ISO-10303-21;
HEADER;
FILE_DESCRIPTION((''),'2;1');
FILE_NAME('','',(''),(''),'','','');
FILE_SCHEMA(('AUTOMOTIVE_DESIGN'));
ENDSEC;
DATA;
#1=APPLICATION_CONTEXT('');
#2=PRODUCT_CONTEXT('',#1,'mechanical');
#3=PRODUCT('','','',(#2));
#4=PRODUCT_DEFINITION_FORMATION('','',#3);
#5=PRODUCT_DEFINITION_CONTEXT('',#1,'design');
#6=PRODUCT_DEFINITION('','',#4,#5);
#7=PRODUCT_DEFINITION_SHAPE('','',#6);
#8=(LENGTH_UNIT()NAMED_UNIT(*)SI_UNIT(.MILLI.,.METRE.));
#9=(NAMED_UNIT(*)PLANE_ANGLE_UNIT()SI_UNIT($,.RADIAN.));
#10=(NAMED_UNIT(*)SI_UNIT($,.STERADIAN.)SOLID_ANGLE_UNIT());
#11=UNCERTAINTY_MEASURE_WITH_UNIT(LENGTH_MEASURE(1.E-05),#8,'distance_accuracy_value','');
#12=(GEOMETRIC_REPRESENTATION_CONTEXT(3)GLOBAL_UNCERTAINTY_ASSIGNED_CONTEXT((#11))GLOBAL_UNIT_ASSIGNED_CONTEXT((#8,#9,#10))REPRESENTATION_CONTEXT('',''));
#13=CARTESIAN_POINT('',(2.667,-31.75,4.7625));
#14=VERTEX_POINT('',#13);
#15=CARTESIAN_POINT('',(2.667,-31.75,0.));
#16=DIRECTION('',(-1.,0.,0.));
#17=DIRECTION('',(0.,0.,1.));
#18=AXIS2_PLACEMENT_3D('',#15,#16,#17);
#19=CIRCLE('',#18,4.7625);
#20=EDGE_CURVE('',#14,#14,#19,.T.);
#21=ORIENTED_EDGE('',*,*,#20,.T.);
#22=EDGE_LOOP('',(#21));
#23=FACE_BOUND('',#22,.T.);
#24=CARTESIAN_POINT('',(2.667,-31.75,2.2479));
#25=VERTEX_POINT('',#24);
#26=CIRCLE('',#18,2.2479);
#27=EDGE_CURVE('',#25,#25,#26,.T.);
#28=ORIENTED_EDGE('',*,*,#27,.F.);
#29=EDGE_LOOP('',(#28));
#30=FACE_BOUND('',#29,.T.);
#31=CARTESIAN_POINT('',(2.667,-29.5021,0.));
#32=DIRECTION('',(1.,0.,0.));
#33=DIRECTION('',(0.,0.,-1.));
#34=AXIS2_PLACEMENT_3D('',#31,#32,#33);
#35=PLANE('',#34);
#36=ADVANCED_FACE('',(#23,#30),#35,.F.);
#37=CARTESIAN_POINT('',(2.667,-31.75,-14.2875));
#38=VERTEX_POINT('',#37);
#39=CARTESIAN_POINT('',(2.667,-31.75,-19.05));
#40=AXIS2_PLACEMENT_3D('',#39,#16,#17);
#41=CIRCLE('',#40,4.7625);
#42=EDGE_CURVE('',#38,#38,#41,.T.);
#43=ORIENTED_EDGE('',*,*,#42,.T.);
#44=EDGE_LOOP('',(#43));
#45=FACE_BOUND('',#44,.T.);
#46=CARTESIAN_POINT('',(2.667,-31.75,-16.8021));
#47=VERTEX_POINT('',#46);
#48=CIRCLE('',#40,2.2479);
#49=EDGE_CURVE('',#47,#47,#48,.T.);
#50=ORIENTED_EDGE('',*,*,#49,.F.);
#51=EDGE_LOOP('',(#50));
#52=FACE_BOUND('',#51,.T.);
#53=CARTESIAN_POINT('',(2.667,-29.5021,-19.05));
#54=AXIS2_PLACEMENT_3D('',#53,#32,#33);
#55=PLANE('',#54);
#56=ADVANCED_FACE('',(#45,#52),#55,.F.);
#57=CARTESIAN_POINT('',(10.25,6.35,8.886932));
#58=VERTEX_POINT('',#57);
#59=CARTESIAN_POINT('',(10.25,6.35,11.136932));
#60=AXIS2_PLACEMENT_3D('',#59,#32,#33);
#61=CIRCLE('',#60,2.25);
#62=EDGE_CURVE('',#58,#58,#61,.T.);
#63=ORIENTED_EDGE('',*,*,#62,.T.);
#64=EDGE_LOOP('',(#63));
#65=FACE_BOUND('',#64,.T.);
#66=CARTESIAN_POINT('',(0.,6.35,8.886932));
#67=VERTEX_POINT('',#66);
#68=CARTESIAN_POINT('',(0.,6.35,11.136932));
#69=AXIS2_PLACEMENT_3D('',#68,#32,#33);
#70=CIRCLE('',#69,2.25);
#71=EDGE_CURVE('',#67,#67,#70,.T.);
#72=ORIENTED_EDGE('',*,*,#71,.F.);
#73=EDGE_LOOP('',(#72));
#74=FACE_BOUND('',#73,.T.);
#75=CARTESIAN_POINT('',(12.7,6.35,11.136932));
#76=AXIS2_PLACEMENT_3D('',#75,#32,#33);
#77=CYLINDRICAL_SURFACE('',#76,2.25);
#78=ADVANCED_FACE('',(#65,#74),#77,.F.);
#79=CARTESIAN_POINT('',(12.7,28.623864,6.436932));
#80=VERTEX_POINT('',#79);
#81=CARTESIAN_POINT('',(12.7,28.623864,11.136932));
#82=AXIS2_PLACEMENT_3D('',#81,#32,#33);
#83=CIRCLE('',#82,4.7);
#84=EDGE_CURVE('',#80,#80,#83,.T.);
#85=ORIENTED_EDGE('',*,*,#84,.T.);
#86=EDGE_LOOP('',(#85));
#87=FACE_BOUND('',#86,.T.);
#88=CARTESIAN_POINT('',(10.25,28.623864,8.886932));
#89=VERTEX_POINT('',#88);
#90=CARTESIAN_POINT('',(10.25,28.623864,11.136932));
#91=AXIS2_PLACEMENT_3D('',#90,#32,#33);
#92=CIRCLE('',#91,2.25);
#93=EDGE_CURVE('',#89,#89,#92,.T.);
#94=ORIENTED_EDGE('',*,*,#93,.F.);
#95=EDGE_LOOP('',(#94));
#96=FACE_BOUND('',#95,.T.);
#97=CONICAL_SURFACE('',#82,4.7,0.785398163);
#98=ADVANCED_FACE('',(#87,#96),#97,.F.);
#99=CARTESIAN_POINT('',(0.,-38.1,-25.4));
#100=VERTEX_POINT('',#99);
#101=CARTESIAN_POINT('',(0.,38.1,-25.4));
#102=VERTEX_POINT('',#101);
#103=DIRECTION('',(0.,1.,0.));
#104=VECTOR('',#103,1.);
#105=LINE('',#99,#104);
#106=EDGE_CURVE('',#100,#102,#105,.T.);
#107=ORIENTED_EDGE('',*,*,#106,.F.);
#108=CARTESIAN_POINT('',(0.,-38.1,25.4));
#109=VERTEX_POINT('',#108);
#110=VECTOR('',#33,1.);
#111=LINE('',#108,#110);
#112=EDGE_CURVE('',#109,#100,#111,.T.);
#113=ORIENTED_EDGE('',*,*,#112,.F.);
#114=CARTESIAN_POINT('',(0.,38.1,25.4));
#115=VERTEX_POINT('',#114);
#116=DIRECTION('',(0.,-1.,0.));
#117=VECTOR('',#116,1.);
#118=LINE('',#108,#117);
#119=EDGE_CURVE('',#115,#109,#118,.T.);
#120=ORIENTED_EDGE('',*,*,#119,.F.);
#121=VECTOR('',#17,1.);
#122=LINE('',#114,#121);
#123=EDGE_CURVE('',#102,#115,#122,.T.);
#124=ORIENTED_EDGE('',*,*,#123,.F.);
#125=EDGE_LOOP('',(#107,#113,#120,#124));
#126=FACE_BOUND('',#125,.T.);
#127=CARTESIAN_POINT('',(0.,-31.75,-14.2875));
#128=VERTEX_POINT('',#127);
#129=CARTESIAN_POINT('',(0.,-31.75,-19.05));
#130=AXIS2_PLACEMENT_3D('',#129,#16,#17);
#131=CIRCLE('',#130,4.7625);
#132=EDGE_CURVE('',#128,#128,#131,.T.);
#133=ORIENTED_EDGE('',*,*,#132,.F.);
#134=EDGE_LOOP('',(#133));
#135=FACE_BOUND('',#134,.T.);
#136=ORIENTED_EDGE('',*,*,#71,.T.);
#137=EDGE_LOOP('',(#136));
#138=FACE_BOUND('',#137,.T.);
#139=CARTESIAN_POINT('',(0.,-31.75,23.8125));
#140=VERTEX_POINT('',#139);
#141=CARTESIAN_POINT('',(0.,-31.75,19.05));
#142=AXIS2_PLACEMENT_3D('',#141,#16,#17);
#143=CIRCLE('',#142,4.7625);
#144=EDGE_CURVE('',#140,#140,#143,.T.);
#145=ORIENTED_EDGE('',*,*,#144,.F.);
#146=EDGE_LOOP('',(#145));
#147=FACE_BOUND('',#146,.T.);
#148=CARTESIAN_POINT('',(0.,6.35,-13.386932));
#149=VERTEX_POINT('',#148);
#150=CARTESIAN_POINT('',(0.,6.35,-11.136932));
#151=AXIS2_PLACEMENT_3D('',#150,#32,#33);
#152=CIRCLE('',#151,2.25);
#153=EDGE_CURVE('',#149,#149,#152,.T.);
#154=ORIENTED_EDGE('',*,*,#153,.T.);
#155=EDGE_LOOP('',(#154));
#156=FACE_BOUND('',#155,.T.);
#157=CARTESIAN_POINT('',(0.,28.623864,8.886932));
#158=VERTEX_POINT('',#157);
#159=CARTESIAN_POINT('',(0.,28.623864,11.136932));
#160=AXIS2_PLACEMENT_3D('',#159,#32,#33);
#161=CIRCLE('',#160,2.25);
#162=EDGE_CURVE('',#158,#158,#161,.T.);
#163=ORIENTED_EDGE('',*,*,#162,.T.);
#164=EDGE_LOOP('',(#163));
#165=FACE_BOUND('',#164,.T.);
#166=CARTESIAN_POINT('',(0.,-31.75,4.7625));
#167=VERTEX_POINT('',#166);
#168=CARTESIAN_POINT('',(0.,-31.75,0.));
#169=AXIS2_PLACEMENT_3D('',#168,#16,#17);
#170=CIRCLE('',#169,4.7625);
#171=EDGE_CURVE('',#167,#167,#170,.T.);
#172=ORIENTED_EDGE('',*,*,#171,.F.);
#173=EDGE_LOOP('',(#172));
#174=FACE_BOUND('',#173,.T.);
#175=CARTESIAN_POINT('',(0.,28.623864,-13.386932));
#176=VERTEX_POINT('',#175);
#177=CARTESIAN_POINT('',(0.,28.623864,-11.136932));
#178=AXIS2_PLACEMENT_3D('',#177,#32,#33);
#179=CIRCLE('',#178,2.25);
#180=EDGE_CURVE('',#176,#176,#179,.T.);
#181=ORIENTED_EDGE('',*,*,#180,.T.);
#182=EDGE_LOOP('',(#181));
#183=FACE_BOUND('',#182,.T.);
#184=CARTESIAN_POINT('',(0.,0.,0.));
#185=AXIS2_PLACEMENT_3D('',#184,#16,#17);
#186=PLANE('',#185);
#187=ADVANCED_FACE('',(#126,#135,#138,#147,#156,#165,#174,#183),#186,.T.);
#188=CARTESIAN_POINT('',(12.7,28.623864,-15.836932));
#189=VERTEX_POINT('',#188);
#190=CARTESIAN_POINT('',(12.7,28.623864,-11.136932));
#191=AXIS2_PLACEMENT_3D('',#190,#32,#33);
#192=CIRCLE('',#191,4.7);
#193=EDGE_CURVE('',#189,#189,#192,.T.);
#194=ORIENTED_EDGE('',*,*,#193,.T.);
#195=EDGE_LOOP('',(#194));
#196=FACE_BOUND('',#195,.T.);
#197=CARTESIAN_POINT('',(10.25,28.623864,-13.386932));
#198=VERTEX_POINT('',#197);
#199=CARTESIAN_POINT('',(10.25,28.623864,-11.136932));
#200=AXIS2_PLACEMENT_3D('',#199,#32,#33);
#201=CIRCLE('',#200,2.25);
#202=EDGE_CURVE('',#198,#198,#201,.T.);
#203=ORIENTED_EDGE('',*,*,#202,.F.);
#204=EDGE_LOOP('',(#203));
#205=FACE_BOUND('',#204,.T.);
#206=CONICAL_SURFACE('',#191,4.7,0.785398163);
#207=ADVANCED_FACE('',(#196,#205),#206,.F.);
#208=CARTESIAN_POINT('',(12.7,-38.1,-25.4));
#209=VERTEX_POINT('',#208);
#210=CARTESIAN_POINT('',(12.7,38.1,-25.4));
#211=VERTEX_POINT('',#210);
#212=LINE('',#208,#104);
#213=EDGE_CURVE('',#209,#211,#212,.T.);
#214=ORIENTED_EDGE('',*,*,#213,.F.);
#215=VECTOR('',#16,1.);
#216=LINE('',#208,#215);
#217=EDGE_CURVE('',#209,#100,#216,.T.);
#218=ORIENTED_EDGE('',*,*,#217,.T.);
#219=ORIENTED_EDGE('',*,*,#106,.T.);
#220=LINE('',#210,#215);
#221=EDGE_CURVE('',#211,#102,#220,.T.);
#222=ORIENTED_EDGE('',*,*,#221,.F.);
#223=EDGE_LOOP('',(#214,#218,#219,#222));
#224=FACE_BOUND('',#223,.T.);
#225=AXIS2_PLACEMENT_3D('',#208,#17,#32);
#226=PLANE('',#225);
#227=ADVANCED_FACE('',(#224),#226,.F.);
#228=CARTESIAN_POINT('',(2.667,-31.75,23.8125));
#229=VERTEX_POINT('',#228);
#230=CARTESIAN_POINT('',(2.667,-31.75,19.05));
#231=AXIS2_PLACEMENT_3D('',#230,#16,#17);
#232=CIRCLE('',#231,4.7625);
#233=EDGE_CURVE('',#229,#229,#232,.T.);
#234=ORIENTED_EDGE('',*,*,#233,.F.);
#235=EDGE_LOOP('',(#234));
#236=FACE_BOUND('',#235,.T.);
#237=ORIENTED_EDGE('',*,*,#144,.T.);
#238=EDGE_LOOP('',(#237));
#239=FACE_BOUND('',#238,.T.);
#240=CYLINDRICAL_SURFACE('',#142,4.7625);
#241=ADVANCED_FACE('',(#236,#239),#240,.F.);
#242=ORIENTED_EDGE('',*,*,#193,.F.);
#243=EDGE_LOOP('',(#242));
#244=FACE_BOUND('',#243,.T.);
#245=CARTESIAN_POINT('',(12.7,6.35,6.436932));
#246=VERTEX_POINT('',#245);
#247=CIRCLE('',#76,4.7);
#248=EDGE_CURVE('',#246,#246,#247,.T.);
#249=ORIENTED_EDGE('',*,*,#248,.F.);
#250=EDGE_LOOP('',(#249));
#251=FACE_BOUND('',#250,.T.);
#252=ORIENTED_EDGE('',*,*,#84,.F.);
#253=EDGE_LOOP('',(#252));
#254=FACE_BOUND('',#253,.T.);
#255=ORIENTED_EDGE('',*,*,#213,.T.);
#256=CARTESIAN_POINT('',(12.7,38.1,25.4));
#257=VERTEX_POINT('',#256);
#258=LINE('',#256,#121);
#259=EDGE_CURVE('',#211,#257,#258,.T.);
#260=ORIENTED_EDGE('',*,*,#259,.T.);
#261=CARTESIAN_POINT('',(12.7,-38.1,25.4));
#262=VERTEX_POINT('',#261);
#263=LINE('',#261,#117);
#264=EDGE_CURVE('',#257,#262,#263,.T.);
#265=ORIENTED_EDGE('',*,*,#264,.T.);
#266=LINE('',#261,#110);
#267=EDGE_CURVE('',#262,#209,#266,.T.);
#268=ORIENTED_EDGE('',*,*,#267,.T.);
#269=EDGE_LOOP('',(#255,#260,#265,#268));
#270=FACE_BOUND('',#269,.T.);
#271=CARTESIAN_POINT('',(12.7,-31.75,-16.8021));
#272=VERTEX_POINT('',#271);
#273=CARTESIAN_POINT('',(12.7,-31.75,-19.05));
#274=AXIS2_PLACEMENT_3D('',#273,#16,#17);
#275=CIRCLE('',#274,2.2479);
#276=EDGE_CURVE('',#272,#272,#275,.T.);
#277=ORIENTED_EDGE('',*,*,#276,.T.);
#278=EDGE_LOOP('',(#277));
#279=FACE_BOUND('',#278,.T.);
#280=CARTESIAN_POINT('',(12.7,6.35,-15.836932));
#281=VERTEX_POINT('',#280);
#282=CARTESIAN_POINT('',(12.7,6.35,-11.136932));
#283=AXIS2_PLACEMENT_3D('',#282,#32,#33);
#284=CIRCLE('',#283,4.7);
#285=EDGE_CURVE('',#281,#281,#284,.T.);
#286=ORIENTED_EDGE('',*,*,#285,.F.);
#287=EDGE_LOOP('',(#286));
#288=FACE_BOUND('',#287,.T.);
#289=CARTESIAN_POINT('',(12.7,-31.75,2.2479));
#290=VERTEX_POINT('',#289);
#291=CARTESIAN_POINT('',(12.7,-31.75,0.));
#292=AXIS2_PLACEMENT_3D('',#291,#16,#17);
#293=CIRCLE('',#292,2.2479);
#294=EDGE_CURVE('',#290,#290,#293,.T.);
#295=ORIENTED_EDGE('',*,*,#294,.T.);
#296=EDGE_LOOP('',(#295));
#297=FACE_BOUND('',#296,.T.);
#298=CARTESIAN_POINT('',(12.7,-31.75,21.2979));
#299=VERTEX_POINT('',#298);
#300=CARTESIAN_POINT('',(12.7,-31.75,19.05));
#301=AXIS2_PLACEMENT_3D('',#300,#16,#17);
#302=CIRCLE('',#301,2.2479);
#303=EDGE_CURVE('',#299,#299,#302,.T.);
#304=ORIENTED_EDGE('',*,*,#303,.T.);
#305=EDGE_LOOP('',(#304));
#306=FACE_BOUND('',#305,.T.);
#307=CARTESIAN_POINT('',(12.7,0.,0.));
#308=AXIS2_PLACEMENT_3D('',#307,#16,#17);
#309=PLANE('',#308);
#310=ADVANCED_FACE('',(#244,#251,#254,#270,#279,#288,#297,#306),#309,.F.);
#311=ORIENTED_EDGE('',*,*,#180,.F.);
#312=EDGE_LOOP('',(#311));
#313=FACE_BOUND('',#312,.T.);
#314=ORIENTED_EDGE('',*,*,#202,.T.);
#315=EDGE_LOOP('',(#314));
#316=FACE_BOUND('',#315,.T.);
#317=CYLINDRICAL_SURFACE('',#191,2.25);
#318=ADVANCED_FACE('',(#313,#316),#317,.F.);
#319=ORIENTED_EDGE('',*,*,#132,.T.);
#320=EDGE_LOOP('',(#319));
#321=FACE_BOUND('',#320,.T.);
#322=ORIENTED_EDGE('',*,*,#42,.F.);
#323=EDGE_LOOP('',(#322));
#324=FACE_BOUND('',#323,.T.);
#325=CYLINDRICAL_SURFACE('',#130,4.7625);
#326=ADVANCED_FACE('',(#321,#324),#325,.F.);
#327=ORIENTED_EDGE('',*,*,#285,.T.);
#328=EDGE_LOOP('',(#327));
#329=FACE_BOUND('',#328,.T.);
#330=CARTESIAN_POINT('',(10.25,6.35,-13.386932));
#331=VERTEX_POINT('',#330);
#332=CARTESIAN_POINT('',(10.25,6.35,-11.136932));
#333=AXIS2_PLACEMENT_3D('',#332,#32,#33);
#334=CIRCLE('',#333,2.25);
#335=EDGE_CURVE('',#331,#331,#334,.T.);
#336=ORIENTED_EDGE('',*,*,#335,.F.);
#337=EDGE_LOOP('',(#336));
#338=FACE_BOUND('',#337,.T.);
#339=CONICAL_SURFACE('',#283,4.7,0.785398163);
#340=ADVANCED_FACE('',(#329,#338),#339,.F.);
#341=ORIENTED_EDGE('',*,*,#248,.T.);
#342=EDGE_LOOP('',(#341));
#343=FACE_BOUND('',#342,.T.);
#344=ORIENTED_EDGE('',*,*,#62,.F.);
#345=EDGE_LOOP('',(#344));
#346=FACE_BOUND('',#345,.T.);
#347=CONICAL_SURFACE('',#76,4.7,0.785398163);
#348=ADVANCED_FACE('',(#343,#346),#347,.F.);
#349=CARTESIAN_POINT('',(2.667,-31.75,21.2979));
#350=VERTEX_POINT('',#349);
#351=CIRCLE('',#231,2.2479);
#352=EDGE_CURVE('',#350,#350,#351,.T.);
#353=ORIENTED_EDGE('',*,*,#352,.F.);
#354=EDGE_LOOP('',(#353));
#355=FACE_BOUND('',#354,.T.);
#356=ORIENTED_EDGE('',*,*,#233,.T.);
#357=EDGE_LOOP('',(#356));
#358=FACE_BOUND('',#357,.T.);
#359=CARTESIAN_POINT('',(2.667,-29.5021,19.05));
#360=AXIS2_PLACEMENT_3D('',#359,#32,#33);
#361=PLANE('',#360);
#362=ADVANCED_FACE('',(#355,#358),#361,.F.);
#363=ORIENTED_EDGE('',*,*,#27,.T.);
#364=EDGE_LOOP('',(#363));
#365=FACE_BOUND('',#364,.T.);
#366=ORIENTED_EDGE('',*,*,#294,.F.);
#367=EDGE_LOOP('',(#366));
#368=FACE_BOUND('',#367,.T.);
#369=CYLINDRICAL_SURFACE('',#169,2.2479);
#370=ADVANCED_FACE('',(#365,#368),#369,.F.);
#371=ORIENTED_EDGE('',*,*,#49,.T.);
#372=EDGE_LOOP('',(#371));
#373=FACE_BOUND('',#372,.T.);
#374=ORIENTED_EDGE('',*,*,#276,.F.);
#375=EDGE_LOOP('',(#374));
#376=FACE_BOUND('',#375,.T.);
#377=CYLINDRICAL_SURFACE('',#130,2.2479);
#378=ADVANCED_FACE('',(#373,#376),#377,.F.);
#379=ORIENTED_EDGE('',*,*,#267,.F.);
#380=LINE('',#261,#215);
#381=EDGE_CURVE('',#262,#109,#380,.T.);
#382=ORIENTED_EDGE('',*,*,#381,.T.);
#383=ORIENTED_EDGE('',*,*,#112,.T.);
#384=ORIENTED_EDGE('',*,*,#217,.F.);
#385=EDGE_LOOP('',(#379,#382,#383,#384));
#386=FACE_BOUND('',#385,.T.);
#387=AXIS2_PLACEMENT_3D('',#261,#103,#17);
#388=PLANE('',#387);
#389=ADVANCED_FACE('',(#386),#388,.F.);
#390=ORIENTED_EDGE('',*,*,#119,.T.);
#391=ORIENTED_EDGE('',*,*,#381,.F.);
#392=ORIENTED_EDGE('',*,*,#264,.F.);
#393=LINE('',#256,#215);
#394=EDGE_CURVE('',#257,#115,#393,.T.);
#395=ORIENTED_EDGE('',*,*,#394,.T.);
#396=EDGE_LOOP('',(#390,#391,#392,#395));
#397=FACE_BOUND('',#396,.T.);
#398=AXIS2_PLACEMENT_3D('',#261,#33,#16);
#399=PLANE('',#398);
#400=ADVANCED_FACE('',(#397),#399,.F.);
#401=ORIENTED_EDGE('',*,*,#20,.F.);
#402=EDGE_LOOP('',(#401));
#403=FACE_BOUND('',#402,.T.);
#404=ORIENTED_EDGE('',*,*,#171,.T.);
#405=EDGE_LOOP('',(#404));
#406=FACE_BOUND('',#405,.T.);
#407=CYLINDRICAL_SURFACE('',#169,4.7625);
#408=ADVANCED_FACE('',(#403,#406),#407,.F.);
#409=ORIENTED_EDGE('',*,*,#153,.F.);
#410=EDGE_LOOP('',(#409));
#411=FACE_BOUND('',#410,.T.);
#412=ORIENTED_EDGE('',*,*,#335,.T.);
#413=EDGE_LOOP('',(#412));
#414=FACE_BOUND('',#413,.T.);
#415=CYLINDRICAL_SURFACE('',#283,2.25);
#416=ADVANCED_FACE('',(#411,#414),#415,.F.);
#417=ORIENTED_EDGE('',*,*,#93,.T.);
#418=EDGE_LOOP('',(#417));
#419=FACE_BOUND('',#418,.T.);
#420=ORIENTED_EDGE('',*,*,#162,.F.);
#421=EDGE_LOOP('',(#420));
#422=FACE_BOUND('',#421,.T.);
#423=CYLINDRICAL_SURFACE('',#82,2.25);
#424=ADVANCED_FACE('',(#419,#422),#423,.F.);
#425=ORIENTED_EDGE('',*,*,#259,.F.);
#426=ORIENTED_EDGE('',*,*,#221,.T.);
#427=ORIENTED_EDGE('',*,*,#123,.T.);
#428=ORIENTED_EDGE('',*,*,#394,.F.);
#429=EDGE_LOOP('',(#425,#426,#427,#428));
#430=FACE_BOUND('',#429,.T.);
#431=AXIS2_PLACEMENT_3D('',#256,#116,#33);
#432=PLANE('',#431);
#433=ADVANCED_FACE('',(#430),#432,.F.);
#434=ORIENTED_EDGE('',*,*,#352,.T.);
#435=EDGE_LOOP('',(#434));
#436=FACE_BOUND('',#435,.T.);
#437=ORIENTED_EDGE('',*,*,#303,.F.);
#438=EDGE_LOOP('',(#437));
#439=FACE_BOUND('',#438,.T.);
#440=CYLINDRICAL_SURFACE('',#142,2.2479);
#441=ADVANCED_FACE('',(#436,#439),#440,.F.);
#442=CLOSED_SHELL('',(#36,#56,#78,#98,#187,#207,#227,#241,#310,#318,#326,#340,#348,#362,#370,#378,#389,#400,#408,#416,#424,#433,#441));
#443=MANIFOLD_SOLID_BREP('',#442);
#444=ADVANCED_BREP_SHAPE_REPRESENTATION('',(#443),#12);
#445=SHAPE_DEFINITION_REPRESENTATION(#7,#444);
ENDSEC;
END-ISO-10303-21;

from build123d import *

# Parameters (mm, degrees)
SKETCH1_W                                           = 50.8
SKETCH1_H                                           = 76.2
BOSS_EXTRUDE1_DEPTH                                 = 12.7
CSK_FOR_M4_FLAT_HEAD_MACHINE_SCREW1_D               = 4.5
CSK_FOR_M4_FLAT_HEAD_MACHINE_SCREW1_CSINK_D         = 9.4
CSK_FOR_M4_FLAT_HEAD_MACHINE_SCREW1_CSINK_ANGLE     = 90
CBORE_FOR_8_BINDING_HEAD_MACHINE_SCREW1_D           = 4.4958
CBORE_FOR_8_BINDING_HEAD_MACHINE_SCREW1_CBORE_D     = 9.525
CBORE_FOR_8_BINDING_HEAD_MACHINE_SCREW1_CBORE_DEPTH = 2.667


with BuildPart() as part:
    # Sketch1 → Boss-Extrude1 (new body)
    with BuildSketch(Plane(origin=(0, 0, 0), x_dir=(0, 0, -1), z_dir=(1, 0, 0))):
        Rectangle(SKETCH1_W, SKETCH1_H)
    extrude(amount=BOSS_EXTRUDE1_DEPTH)

    # CSK for M4 Flat Head Machine Screw1 (through all)
    with Locations(Plane(origin=(12.7, 0, 0), x_dir=(0, 0, -1), z_dir=(1, 0, 0))):
        with Locations((11.136931804, 28.623863607), (-11.136931804, 28.623863607), (-11.136931804, 6.35), (11.136931804, 6.35)):
            CounterSinkHole(CSK_FOR_M4_FLAT_HEAD_MACHINE_SCREW1_D / 2, CSK_FOR_M4_FLAT_HEAD_MACHINE_SCREW1_CSINK_D / 2, counter_sink_angle=CSK_FOR_M4_FLAT_HEAD_MACHINE_SCREW1_CSINK_ANGLE)

    # CBORE for #8 Binding Head Machine Screw1 (through all)
    with Locations(Plane.ZY):
        with Locations((-19.05, -31.75), (0, -31.75), (19.05, -31.75)):
            CounterBoreHole(CBORE_FOR_8_BINDING_HEAD_MACHINE_SCREW1_D / 2, CBORE_FOR_8_BINDING_HEAD_MACHINE_SCREW1_CBORE_D / 2, CBORE_FOR_8_BINDING_HEAD_MACHINE_SCREW1_CBORE_DEPTH)


solid = part.part
